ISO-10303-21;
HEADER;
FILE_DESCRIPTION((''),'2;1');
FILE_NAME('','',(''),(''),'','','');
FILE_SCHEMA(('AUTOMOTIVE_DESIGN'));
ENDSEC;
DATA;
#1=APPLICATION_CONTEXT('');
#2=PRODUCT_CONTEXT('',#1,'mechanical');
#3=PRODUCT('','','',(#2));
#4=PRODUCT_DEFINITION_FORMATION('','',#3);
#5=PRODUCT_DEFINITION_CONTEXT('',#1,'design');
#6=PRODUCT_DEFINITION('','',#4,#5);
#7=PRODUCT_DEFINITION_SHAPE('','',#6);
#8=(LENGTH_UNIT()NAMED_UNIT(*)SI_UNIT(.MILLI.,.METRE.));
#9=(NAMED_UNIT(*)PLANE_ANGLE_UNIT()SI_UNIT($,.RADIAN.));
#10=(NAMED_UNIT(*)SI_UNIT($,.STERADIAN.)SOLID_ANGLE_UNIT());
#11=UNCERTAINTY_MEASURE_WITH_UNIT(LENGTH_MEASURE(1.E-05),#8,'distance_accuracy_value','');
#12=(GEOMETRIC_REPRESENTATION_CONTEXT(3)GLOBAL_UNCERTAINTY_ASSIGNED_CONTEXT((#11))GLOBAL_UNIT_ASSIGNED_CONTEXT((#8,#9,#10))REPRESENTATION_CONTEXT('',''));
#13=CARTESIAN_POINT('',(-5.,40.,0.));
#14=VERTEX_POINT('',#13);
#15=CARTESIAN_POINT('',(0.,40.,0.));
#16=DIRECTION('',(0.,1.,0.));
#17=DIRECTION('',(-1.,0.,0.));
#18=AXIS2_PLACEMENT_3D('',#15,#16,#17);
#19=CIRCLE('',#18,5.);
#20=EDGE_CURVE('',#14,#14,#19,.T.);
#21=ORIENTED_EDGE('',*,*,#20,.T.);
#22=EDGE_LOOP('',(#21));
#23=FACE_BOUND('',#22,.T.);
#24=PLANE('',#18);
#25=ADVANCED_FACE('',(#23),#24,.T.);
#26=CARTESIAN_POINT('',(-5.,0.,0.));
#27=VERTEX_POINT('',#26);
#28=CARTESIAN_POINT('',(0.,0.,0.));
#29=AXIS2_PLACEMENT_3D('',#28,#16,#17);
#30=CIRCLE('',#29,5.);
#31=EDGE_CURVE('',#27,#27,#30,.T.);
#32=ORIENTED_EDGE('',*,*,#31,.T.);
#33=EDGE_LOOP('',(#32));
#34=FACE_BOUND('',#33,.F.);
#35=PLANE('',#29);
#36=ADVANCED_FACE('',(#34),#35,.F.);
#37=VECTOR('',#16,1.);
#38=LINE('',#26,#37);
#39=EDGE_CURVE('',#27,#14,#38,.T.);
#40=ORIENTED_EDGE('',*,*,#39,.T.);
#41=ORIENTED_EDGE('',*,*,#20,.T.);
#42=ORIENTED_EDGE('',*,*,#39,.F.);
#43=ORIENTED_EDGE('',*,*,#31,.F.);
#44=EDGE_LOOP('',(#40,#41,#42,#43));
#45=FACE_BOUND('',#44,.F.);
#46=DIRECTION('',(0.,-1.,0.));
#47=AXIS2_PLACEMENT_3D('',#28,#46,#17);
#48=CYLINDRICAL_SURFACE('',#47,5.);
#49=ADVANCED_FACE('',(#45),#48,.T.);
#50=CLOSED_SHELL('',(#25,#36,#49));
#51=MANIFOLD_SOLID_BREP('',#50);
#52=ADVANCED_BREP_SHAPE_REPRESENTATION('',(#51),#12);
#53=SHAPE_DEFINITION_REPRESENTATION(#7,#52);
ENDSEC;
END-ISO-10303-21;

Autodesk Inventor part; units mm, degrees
ref_plane "YZ Plane" through (0, 0, 0) normal (1, 0, 0) x (0, 1, 0)
ref_plane "XZ Plane" through (0, 0, 0) normal (0, 1, 0) x (-1, 0, 0)
ref_plane "XY Plane" through (0, 0, 0) normal (0, 0, 1) x (1, 0, 0)
sketch "Эскиз1" plane through (0, 0, 0) normal (0, 1, 0) x (-1, 0, 0)
  circle A0 centre (0, 0) radius 5
  dimension "d0" = 10
extrude "Выдавливание1" add sketch "Эскиз1" along normal blind 40
thread "Резьба1" size "M10x1.5" class "6g" standard "ANSI Metric M Profile" full length
properties part number "Шпилька для ролика"
